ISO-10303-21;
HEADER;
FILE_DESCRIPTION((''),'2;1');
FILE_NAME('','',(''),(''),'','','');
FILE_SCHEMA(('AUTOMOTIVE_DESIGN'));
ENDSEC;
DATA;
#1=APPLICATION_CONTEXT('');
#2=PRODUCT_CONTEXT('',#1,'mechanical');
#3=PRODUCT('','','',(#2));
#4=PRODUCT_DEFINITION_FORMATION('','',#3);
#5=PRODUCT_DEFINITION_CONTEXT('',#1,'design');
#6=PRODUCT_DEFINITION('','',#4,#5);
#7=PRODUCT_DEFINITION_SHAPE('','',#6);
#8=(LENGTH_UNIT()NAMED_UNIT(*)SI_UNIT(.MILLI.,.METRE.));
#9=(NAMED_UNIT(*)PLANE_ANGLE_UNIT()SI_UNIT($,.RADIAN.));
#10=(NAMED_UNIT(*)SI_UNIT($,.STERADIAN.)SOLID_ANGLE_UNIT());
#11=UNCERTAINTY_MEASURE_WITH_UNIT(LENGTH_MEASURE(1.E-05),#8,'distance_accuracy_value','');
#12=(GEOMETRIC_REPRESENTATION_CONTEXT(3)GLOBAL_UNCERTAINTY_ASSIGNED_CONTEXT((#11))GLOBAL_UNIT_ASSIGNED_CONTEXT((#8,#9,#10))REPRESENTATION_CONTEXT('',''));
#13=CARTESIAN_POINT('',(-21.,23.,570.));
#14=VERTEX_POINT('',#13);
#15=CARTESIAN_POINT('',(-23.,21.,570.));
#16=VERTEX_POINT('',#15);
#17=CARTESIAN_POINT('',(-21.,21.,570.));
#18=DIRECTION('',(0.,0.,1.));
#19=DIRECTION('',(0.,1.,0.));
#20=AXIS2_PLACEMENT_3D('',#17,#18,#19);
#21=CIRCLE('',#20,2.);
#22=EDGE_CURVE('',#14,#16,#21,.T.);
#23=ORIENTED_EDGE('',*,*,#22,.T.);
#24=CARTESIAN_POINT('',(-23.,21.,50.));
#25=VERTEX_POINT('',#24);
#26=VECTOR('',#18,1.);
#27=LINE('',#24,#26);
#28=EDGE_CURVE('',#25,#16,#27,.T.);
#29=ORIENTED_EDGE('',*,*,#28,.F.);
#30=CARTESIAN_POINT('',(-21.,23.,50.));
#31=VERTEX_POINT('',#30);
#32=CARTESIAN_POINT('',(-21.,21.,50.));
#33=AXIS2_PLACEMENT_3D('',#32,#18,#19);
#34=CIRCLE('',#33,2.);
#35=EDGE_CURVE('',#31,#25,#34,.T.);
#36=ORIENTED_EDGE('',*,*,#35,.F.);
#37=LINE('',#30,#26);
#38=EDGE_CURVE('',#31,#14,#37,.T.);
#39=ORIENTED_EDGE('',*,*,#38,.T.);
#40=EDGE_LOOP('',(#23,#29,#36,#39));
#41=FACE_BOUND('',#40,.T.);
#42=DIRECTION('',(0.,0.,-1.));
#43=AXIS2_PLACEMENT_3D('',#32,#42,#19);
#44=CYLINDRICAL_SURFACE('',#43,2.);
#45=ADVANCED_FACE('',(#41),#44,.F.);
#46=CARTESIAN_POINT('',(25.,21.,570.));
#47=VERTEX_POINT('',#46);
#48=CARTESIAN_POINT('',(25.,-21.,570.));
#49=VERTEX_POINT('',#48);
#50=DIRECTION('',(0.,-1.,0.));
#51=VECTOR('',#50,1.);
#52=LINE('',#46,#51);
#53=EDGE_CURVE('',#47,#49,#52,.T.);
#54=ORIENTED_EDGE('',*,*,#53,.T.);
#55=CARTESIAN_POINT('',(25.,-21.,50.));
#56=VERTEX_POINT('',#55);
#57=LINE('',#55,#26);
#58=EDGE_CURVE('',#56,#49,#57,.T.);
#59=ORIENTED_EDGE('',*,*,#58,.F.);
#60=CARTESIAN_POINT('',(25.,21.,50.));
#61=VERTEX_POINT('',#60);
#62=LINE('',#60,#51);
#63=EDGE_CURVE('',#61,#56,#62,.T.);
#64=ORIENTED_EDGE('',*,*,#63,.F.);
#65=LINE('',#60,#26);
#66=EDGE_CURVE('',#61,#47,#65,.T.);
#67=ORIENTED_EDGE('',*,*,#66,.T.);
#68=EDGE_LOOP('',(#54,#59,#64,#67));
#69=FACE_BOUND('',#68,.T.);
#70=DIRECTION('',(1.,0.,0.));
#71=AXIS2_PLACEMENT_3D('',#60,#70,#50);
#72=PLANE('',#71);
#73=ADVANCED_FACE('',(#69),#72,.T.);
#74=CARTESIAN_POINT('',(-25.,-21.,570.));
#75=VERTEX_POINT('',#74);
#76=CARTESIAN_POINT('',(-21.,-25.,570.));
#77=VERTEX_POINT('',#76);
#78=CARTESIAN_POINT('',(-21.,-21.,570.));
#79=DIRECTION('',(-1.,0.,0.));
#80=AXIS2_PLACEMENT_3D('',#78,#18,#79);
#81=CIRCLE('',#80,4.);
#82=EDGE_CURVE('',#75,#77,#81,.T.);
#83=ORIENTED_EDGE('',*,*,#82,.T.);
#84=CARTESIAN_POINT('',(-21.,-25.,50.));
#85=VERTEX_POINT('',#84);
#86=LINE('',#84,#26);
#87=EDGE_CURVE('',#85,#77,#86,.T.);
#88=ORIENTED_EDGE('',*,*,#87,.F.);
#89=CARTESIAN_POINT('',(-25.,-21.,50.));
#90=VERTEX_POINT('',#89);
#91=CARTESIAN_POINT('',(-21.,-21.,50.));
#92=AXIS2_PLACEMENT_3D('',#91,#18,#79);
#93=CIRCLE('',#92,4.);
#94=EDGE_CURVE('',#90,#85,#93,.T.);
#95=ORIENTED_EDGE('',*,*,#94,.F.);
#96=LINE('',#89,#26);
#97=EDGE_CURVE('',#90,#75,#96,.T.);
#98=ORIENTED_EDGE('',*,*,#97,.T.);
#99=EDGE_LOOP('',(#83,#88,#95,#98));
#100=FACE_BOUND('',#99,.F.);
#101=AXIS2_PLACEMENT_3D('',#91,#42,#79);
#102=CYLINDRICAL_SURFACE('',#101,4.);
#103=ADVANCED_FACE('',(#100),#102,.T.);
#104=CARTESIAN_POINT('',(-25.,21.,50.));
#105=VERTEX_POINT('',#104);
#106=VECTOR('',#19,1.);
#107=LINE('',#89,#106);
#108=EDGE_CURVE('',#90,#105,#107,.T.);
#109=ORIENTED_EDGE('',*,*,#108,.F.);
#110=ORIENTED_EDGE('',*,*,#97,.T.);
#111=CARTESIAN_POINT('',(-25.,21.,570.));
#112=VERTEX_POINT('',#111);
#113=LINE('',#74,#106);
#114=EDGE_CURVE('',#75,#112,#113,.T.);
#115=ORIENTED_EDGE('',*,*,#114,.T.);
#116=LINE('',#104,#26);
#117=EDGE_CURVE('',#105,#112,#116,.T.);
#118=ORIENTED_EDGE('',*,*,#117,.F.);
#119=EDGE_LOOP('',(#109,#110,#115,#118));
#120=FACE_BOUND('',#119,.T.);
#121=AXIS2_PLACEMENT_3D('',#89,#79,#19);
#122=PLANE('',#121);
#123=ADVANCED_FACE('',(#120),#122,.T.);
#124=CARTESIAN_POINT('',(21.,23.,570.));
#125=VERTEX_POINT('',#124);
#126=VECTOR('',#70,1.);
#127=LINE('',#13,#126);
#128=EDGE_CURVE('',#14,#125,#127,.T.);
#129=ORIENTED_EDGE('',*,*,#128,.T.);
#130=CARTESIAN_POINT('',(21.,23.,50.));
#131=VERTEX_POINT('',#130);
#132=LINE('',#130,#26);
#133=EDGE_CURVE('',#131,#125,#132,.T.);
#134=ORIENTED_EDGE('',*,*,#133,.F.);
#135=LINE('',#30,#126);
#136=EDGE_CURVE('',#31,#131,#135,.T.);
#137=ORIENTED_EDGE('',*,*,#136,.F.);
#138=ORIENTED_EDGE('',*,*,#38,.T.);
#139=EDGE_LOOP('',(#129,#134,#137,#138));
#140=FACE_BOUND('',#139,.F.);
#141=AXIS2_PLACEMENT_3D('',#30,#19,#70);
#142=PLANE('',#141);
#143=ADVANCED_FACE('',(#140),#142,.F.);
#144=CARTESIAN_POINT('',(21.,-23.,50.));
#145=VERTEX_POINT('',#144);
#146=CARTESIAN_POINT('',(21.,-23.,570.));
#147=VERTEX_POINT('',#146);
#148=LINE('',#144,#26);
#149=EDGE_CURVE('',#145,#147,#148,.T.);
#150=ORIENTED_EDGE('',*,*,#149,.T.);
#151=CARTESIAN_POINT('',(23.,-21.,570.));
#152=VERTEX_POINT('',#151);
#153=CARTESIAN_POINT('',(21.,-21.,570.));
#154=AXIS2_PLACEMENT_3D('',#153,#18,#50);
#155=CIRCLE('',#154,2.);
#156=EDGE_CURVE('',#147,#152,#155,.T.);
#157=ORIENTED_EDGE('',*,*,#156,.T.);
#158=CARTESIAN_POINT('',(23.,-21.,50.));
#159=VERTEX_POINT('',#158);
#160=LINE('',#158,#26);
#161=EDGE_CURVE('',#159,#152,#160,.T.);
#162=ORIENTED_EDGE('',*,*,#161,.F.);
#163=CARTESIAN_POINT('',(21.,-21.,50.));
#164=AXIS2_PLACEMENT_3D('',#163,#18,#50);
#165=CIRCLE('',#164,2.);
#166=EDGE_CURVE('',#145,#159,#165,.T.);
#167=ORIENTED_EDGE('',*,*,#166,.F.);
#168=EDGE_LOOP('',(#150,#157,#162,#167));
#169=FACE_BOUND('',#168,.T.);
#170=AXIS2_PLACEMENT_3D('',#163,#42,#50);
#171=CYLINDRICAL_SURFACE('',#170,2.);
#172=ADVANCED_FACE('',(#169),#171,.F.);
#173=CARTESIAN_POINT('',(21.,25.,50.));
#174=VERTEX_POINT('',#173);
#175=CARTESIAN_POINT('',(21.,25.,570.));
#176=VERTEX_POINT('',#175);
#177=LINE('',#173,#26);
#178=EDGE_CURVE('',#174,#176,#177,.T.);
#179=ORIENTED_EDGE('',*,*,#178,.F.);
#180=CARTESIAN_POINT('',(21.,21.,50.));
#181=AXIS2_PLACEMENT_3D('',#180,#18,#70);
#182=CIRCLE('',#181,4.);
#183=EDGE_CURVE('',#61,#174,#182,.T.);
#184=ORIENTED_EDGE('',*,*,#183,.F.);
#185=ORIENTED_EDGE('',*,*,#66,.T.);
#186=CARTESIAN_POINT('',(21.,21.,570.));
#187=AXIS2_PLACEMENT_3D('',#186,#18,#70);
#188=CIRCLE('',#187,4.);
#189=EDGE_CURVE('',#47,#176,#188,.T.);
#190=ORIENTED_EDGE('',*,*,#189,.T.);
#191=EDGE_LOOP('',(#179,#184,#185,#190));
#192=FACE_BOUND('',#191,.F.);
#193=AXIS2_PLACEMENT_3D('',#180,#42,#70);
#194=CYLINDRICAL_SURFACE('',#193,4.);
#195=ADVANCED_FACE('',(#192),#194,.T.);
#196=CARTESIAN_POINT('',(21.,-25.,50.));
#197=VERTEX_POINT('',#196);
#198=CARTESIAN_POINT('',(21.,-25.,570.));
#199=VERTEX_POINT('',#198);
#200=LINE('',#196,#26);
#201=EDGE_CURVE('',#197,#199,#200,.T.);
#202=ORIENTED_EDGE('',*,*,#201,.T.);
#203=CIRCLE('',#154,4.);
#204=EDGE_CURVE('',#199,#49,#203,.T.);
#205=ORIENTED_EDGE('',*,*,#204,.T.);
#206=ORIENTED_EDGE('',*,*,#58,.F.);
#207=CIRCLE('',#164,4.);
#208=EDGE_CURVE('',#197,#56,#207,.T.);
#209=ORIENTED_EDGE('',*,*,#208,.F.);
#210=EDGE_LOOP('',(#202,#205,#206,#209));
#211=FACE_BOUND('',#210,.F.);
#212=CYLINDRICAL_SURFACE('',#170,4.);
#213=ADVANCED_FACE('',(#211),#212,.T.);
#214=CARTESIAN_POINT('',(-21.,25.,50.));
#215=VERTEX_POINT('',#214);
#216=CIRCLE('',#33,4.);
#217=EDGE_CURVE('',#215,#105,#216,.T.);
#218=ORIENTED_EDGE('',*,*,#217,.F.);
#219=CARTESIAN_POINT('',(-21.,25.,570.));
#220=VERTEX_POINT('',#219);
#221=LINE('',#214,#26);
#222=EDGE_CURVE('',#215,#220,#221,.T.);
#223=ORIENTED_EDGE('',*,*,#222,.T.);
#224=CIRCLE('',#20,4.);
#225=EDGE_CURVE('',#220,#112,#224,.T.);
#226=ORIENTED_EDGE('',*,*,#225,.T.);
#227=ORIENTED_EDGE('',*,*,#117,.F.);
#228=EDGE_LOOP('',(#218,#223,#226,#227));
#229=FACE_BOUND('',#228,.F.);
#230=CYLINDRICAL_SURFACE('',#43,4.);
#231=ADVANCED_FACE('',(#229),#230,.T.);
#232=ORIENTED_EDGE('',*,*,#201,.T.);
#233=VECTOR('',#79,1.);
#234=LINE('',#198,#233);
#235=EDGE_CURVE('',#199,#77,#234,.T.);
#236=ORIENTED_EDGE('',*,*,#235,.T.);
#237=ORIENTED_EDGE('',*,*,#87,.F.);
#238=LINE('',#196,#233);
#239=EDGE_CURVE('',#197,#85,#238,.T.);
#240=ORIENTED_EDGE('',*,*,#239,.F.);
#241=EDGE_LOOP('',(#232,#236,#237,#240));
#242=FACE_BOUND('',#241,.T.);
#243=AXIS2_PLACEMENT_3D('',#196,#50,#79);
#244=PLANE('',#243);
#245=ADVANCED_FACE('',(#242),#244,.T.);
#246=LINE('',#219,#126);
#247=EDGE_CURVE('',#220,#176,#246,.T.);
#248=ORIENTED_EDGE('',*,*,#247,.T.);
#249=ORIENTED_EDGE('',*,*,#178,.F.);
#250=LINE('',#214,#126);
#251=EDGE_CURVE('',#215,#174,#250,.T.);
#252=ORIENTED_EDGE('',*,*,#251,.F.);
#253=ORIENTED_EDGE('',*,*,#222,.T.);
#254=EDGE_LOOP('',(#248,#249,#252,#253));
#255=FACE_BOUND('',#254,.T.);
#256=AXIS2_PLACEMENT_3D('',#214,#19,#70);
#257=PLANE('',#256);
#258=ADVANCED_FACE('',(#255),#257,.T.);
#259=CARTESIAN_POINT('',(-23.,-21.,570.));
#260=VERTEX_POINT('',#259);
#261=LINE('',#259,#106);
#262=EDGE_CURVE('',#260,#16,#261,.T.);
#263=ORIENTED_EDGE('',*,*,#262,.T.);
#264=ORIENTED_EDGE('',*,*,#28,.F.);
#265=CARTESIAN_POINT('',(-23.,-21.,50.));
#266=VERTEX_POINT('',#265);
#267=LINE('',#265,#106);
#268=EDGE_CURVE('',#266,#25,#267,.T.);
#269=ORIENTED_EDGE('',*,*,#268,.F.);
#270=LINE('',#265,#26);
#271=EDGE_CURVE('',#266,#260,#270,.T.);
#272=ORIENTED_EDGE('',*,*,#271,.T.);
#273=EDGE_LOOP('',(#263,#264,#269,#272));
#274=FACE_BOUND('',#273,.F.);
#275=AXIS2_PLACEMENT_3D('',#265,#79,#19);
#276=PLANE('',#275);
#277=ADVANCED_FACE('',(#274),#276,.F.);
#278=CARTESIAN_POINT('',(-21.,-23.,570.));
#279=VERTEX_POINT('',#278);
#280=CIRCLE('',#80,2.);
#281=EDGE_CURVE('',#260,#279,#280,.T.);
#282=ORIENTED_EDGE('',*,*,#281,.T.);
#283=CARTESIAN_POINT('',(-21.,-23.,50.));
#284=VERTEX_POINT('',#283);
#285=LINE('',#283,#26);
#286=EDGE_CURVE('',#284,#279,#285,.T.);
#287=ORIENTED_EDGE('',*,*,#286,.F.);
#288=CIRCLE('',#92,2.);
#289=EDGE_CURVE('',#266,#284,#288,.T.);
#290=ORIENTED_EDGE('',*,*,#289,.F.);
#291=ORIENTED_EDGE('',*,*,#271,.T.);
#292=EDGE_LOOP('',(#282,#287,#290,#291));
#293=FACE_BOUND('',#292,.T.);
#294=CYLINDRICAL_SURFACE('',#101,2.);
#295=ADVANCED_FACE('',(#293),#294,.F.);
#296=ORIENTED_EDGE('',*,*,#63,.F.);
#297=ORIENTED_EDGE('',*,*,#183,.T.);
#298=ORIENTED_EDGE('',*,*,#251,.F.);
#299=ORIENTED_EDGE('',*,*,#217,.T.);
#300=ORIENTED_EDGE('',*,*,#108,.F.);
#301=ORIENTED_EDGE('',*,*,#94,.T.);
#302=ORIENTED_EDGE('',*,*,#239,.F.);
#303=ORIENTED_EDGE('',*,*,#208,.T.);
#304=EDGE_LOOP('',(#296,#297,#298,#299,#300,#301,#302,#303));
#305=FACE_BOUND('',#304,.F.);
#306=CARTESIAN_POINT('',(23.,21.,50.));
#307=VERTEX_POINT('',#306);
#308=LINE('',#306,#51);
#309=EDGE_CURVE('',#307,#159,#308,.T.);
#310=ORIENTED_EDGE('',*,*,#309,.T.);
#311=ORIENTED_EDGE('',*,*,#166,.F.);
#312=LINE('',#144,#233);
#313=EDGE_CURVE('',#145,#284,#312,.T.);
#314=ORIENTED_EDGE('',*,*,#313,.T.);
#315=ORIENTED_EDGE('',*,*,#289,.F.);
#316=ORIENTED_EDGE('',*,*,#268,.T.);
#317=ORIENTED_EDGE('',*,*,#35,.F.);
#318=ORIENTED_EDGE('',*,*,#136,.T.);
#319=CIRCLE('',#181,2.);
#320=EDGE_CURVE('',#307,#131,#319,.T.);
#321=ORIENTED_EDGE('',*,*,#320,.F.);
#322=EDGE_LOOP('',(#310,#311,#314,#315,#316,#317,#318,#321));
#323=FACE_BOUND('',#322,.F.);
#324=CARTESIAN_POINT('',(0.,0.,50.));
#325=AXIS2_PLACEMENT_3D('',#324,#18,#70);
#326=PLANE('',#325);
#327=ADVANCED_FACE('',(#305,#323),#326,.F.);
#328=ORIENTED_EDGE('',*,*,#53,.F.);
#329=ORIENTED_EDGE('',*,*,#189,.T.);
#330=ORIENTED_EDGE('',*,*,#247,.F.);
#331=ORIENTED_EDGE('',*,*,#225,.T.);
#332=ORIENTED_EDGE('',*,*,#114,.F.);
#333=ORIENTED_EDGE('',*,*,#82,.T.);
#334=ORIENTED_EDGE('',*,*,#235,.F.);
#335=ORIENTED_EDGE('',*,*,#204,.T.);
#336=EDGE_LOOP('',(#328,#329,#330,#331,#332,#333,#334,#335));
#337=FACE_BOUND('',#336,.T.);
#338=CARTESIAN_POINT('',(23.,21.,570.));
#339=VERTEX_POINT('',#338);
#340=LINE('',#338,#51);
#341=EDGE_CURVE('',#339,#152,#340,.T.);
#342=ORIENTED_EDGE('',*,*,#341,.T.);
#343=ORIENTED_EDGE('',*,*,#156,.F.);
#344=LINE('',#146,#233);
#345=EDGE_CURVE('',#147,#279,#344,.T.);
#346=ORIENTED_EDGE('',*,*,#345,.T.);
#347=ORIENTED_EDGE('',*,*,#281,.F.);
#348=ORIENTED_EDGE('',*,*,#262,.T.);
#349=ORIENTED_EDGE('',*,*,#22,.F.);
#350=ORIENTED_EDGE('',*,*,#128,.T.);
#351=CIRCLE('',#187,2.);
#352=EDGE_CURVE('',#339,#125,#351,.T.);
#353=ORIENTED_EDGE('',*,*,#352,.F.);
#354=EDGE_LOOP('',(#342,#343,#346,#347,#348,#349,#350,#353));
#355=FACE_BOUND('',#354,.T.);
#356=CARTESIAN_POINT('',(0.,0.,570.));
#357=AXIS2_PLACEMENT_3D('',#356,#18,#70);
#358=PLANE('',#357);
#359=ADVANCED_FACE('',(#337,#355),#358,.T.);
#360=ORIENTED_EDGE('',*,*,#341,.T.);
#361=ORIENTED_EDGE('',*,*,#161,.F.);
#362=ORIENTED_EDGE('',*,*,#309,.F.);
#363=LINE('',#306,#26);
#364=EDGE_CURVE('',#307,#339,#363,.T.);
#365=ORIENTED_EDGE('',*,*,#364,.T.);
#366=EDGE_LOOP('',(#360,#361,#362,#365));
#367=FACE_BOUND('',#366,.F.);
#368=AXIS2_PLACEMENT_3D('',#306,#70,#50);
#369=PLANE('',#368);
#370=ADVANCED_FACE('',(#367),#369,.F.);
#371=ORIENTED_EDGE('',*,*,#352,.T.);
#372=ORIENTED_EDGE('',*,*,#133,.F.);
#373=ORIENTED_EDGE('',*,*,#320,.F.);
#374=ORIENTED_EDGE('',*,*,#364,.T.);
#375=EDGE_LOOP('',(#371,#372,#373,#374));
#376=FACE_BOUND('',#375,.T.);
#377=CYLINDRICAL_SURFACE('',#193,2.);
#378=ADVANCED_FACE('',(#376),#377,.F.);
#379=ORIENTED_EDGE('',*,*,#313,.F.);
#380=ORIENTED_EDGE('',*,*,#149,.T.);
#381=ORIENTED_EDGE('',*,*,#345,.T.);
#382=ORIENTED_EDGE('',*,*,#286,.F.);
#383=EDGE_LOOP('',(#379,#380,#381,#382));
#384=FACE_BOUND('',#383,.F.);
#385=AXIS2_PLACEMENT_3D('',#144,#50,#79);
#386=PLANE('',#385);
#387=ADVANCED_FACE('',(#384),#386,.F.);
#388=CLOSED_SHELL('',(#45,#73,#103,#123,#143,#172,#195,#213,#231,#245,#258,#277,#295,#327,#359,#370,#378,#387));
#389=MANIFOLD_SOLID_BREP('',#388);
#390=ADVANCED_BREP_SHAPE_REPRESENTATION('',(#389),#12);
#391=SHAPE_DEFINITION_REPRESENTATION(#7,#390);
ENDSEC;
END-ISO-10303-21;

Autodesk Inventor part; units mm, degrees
ref_plane "YZ Plane" through (0, 0, 0) normal (1, 0, 0) x (0, 1, 0)
ref_plane "Start Plane" through (0, 0, 50) normal (0, 0, 1) x (1, 0, 0)
ref_plane "End Plane" through (0, 0, 570) normal (0, 0, 1) x (1, 0, 0)
sketch "Sketch" plane through (0, 0, 0) normal (0, 0, 1) x (1, 0, 0)
  line L0 (-25, -21) -> (-25, 21)
  line L1 (-21, 25) -> (21, 25)
  line L2 (25, 21) -> (25, -21)
  line L3 (21, -25) -> (-21, -25)
  arc A0 (-25, -21) -> (-21, -25) centre (-21, -21) ccw
  arc A1 (25, 21) -> (21, 25) centre (21, 21) ccw
  arc A2 (-21, 25) -> (-25, 21) centre (-21, 21) ccw
  arc A3 (21, -25) -> (25, -21) centre (21, -21) ccw
  arc A4 (-21, 23) -> (-23, 21) centre (-21, 21) ccw
  line L4 (-21, 23) -> (21, 23)
  arc A5 (23, 21) -> (21, 23) centre (21, 21) ccw
  line L5 (23, 21) -> (23, -21)
  arc A6 (21, -23) -> (23, -21) centre (21, -21) ccw
  line L6 (21, -23) -> (-21, -23)
  arc A7 (-23, -21) -> (-21, -23) centre (-21, -21) ccw
  line L7 (-23, -21) -> (-23, 21)
  line L8 (0, 36.1598) -> (0, -36.1598) construction
  line L9 (-36.1598, 0) -> (36.1598, 0) construction
  dimension "d7" = 4
  dimension "d9" = 50
  dimension "d11" = 50
  dimension "d12" = 2
  dimension "d15" = 25
  dimension "d16" = 25
extrude "Body" add sketch "Sketch" along normal up to surface (520 mm away) from surface at 50
sketch "Sketch3" plane through (0, 0, 0) normal (0, 0, 1) x (1, 0, 0)
  line L0 (0, 0) -> (10, 0)
ref_plane "Work Plane3" through (0, 0, 0) normal (0, -1, 0) x (1, 0, 0)
sketch "Sketch4" plane through (0, 0, 0) normal (0, -1, 0) x (1, 0, 0)
  line L0 (-2, 50) -> (12, 50) projected
  line L1 (-2, 570) -> (12, 570) projected
  dimension "d18" = 520
equation "\"d7\" = G_IR"
equation "\"d9\" = G_W"
equation "\"d11\" = G_H"
equation "\"d12\" = G_T"
equation "\"d15\" = 0.5 * d9"
equation "\"d16\" = 0.5 * d11"
equation "\"d3\" = G_L"
equation "\"G_W\" = 50"
equation "\"G_H\" = 50"
equation "\"G_T\" = 2"
equation "\"G_IR\" = 4"
equation "\"G_L\" = d18"
properties part number "ISO 4019 - 50x50x2 - 520" material "Steel, Mild"
